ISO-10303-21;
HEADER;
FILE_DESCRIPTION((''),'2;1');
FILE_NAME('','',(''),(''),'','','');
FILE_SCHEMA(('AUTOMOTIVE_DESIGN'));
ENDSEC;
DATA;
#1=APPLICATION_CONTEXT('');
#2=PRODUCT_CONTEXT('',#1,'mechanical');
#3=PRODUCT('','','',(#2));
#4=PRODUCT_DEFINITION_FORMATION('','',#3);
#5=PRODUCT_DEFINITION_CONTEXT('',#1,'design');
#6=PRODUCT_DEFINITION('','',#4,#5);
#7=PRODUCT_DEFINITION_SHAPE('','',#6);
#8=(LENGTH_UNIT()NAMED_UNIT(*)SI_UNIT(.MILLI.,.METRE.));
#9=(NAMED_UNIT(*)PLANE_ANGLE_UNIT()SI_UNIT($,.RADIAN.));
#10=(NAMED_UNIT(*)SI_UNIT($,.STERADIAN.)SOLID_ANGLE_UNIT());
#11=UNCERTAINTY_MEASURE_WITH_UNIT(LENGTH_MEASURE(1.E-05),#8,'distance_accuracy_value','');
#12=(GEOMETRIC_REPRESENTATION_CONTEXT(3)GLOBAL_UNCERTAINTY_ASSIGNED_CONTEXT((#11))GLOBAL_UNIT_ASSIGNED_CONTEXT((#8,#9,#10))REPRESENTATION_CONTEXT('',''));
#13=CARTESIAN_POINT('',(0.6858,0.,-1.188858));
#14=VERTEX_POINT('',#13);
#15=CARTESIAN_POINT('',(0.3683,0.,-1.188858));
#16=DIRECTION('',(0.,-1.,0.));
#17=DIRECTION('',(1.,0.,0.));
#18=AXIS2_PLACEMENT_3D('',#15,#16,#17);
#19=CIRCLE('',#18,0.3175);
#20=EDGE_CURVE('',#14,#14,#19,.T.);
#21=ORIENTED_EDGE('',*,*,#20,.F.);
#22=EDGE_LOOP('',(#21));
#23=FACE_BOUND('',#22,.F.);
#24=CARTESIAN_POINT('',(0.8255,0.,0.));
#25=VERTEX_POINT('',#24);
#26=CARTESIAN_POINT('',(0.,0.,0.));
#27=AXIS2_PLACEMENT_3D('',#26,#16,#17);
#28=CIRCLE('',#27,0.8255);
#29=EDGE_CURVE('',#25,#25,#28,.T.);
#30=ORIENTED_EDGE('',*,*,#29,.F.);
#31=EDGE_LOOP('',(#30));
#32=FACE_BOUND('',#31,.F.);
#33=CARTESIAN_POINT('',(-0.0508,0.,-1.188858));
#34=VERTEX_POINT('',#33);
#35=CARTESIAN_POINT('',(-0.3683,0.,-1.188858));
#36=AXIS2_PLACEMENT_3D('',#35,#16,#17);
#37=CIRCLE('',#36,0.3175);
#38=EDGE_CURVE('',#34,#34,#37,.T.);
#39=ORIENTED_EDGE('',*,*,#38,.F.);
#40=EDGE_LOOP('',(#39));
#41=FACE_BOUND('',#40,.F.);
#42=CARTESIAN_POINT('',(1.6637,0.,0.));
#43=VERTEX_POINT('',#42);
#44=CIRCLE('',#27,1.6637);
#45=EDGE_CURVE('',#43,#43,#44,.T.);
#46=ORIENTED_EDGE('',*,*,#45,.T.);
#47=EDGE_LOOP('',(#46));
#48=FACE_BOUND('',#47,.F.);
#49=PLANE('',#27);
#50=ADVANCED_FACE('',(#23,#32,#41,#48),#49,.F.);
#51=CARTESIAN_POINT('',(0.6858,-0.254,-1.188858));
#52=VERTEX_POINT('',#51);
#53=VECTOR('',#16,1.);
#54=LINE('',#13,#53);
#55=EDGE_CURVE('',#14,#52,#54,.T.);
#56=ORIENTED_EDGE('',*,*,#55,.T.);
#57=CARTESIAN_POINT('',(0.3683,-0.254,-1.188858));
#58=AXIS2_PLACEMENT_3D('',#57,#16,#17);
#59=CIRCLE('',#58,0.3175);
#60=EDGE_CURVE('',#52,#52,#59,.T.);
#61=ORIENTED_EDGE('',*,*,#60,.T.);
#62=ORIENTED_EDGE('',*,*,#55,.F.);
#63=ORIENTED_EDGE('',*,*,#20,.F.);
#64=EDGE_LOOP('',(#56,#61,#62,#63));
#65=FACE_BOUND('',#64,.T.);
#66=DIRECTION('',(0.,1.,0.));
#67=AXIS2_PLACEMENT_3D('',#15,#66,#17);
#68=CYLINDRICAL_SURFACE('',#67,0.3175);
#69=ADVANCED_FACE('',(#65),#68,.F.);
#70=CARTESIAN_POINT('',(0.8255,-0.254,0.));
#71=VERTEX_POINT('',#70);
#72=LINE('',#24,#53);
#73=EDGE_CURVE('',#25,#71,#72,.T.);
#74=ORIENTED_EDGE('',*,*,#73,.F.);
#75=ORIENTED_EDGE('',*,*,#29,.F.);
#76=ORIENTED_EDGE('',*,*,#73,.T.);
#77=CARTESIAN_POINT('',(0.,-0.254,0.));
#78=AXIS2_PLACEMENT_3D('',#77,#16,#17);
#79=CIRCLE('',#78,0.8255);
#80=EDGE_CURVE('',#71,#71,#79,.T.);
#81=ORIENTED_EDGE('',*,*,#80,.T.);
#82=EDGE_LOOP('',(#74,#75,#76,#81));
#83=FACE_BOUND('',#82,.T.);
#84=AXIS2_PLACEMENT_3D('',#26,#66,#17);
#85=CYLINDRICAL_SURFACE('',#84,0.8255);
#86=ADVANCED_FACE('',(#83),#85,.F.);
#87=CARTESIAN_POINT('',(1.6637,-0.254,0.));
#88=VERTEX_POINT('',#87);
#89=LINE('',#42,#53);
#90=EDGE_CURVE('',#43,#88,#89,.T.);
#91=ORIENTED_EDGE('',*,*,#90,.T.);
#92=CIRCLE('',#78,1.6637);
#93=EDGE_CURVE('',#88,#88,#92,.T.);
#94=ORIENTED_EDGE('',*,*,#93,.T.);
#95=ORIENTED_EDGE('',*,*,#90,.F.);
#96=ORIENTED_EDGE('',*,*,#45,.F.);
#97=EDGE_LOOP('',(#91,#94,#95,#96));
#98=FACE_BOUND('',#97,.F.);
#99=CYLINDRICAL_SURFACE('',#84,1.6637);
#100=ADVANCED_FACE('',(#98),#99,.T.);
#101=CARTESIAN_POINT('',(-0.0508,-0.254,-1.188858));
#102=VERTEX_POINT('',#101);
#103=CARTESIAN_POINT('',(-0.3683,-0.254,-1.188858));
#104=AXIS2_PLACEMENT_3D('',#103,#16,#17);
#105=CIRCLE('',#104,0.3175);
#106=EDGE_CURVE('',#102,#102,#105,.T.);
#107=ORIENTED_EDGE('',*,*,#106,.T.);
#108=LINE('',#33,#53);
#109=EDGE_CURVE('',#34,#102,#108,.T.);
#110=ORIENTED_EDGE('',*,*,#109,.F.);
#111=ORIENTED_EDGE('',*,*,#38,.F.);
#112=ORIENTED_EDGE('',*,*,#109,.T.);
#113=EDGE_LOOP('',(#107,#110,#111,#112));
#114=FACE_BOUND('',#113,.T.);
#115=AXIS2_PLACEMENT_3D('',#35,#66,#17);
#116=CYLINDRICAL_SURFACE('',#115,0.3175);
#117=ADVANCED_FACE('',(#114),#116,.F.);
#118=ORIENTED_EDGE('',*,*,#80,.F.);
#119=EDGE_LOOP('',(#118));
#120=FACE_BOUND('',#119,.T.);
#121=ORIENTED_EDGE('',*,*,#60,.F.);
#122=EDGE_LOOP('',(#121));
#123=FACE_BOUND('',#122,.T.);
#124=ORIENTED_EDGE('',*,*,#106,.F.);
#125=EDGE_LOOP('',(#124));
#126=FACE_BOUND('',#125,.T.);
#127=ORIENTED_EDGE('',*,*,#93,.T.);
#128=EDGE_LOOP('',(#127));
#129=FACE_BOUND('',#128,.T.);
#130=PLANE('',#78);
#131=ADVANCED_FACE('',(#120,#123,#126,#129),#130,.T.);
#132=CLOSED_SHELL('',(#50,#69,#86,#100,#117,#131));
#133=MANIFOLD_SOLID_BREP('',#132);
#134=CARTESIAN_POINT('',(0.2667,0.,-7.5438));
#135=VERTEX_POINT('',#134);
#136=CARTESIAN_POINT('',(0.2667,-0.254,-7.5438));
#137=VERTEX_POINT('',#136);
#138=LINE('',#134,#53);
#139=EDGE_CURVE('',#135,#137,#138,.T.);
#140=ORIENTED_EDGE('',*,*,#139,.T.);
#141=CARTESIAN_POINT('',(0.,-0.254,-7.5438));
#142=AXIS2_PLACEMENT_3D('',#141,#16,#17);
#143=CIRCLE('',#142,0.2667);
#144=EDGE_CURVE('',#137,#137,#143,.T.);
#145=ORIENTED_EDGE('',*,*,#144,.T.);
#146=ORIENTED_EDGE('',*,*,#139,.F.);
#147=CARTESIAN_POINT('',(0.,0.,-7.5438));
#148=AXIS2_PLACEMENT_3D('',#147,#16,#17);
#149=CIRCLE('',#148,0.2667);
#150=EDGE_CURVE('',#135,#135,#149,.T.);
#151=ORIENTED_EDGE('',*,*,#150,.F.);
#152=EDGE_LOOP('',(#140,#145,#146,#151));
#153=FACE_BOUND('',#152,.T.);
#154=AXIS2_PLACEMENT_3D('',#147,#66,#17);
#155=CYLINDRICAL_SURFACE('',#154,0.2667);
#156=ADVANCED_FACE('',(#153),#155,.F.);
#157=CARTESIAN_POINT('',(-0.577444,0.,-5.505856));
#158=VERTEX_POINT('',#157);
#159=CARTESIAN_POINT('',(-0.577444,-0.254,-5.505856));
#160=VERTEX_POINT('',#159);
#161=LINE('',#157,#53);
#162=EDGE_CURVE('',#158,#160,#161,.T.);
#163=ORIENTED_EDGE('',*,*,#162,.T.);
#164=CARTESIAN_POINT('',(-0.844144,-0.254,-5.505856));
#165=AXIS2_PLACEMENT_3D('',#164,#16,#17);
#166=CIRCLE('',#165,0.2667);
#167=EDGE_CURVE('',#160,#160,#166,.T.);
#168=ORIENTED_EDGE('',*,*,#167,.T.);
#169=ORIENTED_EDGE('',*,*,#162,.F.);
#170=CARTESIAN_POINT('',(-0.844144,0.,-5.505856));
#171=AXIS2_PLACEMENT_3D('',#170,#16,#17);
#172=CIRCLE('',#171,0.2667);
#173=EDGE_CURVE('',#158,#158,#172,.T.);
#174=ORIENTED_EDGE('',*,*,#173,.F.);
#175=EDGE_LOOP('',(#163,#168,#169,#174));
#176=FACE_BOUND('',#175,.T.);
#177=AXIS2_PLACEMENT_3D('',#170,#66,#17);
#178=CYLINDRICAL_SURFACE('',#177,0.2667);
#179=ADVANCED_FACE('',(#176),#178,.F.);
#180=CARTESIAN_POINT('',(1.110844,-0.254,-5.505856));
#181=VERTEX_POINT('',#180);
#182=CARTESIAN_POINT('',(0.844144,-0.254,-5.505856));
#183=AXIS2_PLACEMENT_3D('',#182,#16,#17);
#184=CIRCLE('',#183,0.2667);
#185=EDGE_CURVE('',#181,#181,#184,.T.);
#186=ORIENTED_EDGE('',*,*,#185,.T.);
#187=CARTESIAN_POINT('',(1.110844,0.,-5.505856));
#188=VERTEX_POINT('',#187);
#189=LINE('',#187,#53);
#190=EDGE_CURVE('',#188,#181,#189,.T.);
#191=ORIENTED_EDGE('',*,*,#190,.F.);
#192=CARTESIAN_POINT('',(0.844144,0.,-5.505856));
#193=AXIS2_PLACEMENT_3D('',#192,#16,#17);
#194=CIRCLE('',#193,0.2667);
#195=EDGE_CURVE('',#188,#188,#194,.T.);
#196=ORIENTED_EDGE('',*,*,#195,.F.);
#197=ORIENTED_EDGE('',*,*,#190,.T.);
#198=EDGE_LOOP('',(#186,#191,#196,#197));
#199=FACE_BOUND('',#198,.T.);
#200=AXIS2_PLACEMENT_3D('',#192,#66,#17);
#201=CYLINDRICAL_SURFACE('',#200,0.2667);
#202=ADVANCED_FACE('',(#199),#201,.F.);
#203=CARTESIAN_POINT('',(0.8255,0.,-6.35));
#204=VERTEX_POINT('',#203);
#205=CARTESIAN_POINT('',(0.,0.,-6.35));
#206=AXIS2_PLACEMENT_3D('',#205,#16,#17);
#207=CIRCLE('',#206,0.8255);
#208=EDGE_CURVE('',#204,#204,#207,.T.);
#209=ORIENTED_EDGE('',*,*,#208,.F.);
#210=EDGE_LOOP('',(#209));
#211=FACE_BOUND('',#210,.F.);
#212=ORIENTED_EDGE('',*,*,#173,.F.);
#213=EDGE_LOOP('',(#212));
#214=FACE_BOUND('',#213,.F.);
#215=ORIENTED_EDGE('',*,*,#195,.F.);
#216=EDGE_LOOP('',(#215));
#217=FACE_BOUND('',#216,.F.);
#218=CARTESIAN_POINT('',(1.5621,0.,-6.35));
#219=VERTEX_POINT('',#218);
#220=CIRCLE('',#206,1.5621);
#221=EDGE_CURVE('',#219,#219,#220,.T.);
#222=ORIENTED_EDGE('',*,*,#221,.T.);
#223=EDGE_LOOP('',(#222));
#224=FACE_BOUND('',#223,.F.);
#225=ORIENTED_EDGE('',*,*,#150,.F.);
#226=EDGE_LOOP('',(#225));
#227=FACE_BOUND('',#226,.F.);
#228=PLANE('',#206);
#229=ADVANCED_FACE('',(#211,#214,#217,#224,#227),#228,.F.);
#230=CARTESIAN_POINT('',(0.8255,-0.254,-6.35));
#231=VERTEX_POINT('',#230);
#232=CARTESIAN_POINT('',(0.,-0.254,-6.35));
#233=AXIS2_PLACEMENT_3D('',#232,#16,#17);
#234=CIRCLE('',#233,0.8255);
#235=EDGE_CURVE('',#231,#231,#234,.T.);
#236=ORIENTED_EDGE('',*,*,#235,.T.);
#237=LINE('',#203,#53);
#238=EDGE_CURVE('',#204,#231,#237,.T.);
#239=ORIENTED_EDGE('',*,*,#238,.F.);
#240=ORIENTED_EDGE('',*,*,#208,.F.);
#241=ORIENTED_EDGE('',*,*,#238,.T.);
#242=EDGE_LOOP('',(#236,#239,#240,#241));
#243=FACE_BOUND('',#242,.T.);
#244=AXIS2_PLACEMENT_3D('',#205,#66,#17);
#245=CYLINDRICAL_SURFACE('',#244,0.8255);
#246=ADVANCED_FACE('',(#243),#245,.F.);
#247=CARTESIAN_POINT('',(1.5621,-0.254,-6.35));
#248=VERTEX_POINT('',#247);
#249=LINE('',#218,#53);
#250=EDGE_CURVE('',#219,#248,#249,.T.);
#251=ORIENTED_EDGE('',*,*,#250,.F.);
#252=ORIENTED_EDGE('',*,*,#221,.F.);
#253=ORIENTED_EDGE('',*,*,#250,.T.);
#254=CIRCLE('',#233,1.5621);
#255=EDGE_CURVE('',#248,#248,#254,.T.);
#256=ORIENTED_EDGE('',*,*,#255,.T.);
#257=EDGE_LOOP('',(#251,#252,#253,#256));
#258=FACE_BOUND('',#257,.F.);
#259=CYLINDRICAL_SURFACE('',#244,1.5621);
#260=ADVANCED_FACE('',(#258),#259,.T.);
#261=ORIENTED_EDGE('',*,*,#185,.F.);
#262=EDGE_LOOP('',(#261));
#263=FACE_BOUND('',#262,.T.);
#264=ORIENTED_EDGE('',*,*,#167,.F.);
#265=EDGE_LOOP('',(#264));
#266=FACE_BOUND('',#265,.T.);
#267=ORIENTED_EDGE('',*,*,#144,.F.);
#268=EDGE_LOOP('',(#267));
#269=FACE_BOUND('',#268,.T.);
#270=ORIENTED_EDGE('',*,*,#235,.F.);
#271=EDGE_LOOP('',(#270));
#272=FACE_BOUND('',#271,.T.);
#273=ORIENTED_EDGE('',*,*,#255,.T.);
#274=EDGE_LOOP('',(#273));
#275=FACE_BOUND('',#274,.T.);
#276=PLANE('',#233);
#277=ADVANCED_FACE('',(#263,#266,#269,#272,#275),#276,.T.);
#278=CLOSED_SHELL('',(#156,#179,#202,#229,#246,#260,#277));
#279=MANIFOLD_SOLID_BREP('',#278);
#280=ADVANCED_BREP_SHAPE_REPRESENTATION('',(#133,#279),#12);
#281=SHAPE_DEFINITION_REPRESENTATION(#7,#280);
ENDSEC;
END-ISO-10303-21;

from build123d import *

# Parameters (mm, degrees)
F0_R     = 1.6637
F0_R_2   = 0.3175
F0_R_3   = 0.8255
F0_R_4   = 1.5621
F0_R_5   = 0.2667
F1_DEPTH = 0.254


with BuildPart() as f1:
    # F0 (on Front) → F1 (new body)
    with BuildSketch(Plane.XZ):
        Circle(F0_R)
        with Locations((-0.3683, -1.188858)):
            Circle(F0_R_2, mode=Mode.SUBTRACT)
        Circle(F0_R_3, mode=Mode.SUBTRACT)
        with Locations((0.3683, -1.188858)):
            Circle(F0_R_2, mode=Mode.SUBTRACT)
        with Locations((0, -6.35)):
            Circle(F0_R_4)
        with Locations((0, -7.5438)):
            Circle(F0_R_5, mode=Mode.SUBTRACT)
        with Locations((0, -6.35)):
            Circle(F0_R_3, mode=Mode.SUBTRACT)
        with Locations((-0.844144, -5.505856)):
            Circle(F0_R_5, mode=Mode.SUBTRACT)
        with Locations((0.844144, -5.505856)):
            Circle(F0_R_5, mode=Mode.SUBTRACT)
    extrude(amount=F1_DEPTH)


solid = f1.part
